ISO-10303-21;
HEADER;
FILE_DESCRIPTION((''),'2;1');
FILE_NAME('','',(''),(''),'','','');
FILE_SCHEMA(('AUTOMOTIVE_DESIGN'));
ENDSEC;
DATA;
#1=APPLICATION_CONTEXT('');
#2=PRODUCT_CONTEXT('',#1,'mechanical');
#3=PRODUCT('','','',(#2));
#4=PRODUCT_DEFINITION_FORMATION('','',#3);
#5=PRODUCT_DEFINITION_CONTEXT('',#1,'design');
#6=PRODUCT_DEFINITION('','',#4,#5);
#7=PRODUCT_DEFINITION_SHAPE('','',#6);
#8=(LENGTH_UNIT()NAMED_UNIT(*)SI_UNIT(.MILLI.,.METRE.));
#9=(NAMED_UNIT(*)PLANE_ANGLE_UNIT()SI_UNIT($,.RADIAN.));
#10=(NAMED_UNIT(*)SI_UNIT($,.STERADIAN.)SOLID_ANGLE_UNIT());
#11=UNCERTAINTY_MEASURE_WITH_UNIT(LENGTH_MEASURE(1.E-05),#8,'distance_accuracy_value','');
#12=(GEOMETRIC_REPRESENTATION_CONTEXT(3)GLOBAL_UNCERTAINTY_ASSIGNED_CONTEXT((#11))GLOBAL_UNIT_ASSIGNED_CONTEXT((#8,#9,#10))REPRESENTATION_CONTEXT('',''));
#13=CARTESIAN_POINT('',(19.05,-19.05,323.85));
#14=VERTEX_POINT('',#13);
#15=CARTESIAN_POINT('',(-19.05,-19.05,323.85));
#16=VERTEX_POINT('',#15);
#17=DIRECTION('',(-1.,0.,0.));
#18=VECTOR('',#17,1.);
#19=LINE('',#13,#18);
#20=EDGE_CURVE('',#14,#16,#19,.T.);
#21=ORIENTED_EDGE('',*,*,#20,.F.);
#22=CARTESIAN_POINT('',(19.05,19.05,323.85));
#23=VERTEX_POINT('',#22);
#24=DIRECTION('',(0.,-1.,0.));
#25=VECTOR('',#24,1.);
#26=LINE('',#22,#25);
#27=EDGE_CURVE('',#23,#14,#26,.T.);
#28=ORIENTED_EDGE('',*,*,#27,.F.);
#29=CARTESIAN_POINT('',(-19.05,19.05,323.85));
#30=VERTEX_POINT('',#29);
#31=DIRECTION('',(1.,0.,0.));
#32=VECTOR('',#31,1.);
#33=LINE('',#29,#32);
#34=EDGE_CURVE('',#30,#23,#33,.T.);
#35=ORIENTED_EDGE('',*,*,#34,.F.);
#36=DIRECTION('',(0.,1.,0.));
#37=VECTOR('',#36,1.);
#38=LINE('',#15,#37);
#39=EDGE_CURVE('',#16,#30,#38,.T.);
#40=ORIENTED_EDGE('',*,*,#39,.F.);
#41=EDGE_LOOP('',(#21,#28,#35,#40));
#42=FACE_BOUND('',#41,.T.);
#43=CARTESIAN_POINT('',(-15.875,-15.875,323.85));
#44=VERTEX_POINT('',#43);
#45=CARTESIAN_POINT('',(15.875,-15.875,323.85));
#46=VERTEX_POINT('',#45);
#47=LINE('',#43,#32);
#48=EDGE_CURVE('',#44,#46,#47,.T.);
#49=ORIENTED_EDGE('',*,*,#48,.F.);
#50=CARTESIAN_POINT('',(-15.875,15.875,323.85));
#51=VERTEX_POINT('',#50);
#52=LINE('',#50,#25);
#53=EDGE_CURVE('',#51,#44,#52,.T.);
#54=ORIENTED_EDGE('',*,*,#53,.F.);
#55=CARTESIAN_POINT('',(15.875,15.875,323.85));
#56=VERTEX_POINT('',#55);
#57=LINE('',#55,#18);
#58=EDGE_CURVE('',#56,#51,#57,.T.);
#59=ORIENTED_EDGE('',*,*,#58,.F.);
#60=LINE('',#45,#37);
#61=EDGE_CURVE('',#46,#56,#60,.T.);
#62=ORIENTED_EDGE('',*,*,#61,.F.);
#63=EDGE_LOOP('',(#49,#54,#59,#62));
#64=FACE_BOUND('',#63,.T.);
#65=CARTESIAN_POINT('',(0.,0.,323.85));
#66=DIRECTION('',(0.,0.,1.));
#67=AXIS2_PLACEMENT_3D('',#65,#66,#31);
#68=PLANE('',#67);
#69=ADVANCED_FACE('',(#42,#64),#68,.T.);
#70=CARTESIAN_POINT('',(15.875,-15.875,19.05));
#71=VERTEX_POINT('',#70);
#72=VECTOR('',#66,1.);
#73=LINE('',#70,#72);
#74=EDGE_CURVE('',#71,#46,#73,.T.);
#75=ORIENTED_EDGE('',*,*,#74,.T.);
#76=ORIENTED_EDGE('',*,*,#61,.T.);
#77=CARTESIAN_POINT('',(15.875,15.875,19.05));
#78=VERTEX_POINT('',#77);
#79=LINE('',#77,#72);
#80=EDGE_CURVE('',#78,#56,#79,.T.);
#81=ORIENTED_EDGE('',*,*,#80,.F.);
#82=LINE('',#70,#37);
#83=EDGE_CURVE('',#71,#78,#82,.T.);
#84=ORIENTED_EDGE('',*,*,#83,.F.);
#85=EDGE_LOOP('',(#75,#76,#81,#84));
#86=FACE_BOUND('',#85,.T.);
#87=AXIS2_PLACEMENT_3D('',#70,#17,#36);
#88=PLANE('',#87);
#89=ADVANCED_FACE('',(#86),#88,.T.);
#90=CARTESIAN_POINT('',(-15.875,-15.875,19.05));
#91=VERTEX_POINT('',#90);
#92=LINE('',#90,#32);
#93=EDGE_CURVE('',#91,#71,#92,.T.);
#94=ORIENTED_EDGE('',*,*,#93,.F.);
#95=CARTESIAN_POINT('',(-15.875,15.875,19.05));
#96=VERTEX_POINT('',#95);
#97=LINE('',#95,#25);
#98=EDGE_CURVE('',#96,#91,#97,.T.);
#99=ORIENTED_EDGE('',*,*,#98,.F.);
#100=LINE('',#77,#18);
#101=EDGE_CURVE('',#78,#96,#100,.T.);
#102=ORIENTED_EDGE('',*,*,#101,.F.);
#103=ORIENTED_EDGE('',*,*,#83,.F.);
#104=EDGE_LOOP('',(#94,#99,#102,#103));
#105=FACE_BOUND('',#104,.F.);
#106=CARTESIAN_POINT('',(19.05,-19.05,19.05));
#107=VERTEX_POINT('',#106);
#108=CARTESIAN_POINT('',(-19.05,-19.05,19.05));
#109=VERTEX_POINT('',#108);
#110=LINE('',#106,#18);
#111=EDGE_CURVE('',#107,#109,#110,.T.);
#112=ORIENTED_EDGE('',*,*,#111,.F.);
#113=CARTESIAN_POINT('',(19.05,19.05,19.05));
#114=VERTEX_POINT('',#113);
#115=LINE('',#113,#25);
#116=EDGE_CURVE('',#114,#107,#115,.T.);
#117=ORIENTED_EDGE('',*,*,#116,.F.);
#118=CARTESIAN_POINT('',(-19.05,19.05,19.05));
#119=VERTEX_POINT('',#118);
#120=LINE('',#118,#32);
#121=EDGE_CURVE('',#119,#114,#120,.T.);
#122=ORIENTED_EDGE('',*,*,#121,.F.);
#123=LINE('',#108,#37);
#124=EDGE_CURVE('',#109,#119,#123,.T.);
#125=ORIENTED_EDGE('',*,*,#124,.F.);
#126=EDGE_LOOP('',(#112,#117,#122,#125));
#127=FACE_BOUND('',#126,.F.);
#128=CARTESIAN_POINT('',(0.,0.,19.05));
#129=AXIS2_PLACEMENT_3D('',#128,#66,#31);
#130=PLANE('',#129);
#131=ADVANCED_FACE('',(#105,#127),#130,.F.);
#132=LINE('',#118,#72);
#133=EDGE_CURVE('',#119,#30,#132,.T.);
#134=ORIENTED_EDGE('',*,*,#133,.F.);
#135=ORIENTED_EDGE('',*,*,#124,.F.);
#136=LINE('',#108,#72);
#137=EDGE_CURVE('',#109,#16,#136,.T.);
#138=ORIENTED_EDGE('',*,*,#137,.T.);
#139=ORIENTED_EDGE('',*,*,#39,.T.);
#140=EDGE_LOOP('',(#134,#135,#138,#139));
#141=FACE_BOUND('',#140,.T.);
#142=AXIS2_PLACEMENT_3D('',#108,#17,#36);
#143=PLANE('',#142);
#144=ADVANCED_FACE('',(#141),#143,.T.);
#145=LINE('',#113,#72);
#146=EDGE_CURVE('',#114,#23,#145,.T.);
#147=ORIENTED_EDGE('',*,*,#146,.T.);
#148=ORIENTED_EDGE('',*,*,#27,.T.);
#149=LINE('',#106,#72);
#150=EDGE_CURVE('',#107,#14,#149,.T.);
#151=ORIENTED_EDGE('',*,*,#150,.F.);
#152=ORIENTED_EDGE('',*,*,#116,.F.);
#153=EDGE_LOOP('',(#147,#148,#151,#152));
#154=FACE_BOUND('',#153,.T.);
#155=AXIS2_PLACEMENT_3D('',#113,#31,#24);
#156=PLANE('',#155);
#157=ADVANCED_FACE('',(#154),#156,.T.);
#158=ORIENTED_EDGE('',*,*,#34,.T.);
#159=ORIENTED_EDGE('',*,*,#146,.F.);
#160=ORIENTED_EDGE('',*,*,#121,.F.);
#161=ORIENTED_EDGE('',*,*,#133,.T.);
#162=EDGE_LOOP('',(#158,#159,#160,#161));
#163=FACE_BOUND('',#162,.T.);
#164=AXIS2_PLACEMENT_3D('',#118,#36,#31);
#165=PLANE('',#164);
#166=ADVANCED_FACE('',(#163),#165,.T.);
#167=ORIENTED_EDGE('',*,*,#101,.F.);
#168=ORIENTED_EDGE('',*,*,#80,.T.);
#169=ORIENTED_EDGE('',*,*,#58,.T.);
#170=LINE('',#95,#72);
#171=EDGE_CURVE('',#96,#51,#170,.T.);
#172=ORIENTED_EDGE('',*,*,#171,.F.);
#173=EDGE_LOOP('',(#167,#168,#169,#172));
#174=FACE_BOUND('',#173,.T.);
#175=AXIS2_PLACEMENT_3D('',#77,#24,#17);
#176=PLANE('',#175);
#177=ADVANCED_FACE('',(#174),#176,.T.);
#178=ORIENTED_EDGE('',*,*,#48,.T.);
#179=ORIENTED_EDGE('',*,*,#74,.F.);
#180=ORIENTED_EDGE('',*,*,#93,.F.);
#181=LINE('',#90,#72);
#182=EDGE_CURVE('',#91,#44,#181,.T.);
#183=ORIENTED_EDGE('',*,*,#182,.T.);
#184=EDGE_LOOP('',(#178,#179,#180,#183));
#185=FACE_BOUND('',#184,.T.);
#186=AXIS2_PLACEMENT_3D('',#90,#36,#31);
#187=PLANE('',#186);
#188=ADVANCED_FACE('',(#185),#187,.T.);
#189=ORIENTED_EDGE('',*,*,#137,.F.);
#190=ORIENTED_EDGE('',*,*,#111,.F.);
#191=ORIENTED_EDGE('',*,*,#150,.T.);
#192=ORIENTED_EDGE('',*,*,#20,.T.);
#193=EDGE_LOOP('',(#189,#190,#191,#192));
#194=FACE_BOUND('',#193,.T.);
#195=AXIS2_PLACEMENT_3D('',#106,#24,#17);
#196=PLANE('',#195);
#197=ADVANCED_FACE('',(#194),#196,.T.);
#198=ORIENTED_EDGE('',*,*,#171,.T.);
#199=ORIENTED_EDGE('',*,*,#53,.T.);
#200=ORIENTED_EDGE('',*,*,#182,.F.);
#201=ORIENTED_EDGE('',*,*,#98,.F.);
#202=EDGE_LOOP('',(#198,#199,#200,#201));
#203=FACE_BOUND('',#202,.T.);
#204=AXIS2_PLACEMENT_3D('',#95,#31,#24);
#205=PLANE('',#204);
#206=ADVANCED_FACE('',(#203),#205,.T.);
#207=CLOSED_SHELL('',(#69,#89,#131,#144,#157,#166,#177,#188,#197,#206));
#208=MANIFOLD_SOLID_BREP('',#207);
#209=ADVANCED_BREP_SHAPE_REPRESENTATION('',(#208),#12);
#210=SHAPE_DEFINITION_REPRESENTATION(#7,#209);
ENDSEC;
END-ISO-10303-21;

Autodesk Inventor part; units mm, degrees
ref_plane "Start Plane" through (0, 0, 19.05) normal (0, 0, 1) x (1, 0, 0)
ref_plane "End Plane" through (0, 0, 323.85) normal (0, 0, 1) x (1, 0, 0)
sketch "Sketch" plane through (0, 0, 0) normal (0, 0, 1) x (1, 0, 0)
  line L0 (-19.05, 19.05) -> (19.05, 19.05)
  line L1 (19.05, 19.05) -> (19.05, -19.05)
  line L2 (19.05, -19.05) -> (-19.05, -19.05)
  line L3 (-19.05, -19.05) -> (-19.05, 19.05)
  line L4 (15.875, 15.875) -> (-15.875, 15.875)
  line L5 (-15.875, 15.875) -> (-15.875, -15.875)
  line L6 (-15.875, -15.875) -> (15.875, -15.875)
  line L7 (15.875, -15.875) -> (15.875, 15.875)
  point P0 (0, 0)
  point P1 (0, 19.05)
  point P2 (-19.05, 0)
  dimension "width" = 38.1
  dimension "d1" = 3.175
extrude "Body" add sketch "Sketch" along normal up to surface (304.8 mm away) from surface at 19.05
sketch "Sketch4" plane through (0, 0, 0) normal (0, 0, 1) x (1, 0, 0)
  line L0 (0, 0) -> (10, 0)
ref_plane "Work Plane4" through (0, 0, 0) normal (0, -1, 0) x (1, 0, 0)
sketch "Sketch5" plane through (0, 0, 0) normal (0, -1, 0) x (1, 0, 0)
  line L0 (-2, 19.05) -> (12, 19.05)
  line L1 (-2, 323.85) -> (12, 323.85)
  dimension "d9" = 304.8
ref_plane "Work Plane5" through (0, -19.05, 19.05) normal (0, 0, -1) x (-1, 0, 0)
split "Split1" plane through (0, -19.05, 19.05) removes the side toward (0, 0, -1)
ref_plane "Work Plane6" through (723.9, 19.05, 323.85) normal (0, 0, 1) x (1, 0, 0)
split "Split2" plane through (723.9, 19.05, 323.85) removes the side toward (0, 0, 1)
equation "\"G_OFFSET_START\" = -19.05"
equation "\"G_OFFSET_END\" = 19.05"
equation "\"d4\" = -G_OFFSET_START"
equation "\"d5\" = length + G_OFFSET_END"
equation "\"G_L\" = 304.8"
equation "\"length\" = 304.8"
properties part number "1.5x1.5x.125 Tube" material "Aluminum-6061"
